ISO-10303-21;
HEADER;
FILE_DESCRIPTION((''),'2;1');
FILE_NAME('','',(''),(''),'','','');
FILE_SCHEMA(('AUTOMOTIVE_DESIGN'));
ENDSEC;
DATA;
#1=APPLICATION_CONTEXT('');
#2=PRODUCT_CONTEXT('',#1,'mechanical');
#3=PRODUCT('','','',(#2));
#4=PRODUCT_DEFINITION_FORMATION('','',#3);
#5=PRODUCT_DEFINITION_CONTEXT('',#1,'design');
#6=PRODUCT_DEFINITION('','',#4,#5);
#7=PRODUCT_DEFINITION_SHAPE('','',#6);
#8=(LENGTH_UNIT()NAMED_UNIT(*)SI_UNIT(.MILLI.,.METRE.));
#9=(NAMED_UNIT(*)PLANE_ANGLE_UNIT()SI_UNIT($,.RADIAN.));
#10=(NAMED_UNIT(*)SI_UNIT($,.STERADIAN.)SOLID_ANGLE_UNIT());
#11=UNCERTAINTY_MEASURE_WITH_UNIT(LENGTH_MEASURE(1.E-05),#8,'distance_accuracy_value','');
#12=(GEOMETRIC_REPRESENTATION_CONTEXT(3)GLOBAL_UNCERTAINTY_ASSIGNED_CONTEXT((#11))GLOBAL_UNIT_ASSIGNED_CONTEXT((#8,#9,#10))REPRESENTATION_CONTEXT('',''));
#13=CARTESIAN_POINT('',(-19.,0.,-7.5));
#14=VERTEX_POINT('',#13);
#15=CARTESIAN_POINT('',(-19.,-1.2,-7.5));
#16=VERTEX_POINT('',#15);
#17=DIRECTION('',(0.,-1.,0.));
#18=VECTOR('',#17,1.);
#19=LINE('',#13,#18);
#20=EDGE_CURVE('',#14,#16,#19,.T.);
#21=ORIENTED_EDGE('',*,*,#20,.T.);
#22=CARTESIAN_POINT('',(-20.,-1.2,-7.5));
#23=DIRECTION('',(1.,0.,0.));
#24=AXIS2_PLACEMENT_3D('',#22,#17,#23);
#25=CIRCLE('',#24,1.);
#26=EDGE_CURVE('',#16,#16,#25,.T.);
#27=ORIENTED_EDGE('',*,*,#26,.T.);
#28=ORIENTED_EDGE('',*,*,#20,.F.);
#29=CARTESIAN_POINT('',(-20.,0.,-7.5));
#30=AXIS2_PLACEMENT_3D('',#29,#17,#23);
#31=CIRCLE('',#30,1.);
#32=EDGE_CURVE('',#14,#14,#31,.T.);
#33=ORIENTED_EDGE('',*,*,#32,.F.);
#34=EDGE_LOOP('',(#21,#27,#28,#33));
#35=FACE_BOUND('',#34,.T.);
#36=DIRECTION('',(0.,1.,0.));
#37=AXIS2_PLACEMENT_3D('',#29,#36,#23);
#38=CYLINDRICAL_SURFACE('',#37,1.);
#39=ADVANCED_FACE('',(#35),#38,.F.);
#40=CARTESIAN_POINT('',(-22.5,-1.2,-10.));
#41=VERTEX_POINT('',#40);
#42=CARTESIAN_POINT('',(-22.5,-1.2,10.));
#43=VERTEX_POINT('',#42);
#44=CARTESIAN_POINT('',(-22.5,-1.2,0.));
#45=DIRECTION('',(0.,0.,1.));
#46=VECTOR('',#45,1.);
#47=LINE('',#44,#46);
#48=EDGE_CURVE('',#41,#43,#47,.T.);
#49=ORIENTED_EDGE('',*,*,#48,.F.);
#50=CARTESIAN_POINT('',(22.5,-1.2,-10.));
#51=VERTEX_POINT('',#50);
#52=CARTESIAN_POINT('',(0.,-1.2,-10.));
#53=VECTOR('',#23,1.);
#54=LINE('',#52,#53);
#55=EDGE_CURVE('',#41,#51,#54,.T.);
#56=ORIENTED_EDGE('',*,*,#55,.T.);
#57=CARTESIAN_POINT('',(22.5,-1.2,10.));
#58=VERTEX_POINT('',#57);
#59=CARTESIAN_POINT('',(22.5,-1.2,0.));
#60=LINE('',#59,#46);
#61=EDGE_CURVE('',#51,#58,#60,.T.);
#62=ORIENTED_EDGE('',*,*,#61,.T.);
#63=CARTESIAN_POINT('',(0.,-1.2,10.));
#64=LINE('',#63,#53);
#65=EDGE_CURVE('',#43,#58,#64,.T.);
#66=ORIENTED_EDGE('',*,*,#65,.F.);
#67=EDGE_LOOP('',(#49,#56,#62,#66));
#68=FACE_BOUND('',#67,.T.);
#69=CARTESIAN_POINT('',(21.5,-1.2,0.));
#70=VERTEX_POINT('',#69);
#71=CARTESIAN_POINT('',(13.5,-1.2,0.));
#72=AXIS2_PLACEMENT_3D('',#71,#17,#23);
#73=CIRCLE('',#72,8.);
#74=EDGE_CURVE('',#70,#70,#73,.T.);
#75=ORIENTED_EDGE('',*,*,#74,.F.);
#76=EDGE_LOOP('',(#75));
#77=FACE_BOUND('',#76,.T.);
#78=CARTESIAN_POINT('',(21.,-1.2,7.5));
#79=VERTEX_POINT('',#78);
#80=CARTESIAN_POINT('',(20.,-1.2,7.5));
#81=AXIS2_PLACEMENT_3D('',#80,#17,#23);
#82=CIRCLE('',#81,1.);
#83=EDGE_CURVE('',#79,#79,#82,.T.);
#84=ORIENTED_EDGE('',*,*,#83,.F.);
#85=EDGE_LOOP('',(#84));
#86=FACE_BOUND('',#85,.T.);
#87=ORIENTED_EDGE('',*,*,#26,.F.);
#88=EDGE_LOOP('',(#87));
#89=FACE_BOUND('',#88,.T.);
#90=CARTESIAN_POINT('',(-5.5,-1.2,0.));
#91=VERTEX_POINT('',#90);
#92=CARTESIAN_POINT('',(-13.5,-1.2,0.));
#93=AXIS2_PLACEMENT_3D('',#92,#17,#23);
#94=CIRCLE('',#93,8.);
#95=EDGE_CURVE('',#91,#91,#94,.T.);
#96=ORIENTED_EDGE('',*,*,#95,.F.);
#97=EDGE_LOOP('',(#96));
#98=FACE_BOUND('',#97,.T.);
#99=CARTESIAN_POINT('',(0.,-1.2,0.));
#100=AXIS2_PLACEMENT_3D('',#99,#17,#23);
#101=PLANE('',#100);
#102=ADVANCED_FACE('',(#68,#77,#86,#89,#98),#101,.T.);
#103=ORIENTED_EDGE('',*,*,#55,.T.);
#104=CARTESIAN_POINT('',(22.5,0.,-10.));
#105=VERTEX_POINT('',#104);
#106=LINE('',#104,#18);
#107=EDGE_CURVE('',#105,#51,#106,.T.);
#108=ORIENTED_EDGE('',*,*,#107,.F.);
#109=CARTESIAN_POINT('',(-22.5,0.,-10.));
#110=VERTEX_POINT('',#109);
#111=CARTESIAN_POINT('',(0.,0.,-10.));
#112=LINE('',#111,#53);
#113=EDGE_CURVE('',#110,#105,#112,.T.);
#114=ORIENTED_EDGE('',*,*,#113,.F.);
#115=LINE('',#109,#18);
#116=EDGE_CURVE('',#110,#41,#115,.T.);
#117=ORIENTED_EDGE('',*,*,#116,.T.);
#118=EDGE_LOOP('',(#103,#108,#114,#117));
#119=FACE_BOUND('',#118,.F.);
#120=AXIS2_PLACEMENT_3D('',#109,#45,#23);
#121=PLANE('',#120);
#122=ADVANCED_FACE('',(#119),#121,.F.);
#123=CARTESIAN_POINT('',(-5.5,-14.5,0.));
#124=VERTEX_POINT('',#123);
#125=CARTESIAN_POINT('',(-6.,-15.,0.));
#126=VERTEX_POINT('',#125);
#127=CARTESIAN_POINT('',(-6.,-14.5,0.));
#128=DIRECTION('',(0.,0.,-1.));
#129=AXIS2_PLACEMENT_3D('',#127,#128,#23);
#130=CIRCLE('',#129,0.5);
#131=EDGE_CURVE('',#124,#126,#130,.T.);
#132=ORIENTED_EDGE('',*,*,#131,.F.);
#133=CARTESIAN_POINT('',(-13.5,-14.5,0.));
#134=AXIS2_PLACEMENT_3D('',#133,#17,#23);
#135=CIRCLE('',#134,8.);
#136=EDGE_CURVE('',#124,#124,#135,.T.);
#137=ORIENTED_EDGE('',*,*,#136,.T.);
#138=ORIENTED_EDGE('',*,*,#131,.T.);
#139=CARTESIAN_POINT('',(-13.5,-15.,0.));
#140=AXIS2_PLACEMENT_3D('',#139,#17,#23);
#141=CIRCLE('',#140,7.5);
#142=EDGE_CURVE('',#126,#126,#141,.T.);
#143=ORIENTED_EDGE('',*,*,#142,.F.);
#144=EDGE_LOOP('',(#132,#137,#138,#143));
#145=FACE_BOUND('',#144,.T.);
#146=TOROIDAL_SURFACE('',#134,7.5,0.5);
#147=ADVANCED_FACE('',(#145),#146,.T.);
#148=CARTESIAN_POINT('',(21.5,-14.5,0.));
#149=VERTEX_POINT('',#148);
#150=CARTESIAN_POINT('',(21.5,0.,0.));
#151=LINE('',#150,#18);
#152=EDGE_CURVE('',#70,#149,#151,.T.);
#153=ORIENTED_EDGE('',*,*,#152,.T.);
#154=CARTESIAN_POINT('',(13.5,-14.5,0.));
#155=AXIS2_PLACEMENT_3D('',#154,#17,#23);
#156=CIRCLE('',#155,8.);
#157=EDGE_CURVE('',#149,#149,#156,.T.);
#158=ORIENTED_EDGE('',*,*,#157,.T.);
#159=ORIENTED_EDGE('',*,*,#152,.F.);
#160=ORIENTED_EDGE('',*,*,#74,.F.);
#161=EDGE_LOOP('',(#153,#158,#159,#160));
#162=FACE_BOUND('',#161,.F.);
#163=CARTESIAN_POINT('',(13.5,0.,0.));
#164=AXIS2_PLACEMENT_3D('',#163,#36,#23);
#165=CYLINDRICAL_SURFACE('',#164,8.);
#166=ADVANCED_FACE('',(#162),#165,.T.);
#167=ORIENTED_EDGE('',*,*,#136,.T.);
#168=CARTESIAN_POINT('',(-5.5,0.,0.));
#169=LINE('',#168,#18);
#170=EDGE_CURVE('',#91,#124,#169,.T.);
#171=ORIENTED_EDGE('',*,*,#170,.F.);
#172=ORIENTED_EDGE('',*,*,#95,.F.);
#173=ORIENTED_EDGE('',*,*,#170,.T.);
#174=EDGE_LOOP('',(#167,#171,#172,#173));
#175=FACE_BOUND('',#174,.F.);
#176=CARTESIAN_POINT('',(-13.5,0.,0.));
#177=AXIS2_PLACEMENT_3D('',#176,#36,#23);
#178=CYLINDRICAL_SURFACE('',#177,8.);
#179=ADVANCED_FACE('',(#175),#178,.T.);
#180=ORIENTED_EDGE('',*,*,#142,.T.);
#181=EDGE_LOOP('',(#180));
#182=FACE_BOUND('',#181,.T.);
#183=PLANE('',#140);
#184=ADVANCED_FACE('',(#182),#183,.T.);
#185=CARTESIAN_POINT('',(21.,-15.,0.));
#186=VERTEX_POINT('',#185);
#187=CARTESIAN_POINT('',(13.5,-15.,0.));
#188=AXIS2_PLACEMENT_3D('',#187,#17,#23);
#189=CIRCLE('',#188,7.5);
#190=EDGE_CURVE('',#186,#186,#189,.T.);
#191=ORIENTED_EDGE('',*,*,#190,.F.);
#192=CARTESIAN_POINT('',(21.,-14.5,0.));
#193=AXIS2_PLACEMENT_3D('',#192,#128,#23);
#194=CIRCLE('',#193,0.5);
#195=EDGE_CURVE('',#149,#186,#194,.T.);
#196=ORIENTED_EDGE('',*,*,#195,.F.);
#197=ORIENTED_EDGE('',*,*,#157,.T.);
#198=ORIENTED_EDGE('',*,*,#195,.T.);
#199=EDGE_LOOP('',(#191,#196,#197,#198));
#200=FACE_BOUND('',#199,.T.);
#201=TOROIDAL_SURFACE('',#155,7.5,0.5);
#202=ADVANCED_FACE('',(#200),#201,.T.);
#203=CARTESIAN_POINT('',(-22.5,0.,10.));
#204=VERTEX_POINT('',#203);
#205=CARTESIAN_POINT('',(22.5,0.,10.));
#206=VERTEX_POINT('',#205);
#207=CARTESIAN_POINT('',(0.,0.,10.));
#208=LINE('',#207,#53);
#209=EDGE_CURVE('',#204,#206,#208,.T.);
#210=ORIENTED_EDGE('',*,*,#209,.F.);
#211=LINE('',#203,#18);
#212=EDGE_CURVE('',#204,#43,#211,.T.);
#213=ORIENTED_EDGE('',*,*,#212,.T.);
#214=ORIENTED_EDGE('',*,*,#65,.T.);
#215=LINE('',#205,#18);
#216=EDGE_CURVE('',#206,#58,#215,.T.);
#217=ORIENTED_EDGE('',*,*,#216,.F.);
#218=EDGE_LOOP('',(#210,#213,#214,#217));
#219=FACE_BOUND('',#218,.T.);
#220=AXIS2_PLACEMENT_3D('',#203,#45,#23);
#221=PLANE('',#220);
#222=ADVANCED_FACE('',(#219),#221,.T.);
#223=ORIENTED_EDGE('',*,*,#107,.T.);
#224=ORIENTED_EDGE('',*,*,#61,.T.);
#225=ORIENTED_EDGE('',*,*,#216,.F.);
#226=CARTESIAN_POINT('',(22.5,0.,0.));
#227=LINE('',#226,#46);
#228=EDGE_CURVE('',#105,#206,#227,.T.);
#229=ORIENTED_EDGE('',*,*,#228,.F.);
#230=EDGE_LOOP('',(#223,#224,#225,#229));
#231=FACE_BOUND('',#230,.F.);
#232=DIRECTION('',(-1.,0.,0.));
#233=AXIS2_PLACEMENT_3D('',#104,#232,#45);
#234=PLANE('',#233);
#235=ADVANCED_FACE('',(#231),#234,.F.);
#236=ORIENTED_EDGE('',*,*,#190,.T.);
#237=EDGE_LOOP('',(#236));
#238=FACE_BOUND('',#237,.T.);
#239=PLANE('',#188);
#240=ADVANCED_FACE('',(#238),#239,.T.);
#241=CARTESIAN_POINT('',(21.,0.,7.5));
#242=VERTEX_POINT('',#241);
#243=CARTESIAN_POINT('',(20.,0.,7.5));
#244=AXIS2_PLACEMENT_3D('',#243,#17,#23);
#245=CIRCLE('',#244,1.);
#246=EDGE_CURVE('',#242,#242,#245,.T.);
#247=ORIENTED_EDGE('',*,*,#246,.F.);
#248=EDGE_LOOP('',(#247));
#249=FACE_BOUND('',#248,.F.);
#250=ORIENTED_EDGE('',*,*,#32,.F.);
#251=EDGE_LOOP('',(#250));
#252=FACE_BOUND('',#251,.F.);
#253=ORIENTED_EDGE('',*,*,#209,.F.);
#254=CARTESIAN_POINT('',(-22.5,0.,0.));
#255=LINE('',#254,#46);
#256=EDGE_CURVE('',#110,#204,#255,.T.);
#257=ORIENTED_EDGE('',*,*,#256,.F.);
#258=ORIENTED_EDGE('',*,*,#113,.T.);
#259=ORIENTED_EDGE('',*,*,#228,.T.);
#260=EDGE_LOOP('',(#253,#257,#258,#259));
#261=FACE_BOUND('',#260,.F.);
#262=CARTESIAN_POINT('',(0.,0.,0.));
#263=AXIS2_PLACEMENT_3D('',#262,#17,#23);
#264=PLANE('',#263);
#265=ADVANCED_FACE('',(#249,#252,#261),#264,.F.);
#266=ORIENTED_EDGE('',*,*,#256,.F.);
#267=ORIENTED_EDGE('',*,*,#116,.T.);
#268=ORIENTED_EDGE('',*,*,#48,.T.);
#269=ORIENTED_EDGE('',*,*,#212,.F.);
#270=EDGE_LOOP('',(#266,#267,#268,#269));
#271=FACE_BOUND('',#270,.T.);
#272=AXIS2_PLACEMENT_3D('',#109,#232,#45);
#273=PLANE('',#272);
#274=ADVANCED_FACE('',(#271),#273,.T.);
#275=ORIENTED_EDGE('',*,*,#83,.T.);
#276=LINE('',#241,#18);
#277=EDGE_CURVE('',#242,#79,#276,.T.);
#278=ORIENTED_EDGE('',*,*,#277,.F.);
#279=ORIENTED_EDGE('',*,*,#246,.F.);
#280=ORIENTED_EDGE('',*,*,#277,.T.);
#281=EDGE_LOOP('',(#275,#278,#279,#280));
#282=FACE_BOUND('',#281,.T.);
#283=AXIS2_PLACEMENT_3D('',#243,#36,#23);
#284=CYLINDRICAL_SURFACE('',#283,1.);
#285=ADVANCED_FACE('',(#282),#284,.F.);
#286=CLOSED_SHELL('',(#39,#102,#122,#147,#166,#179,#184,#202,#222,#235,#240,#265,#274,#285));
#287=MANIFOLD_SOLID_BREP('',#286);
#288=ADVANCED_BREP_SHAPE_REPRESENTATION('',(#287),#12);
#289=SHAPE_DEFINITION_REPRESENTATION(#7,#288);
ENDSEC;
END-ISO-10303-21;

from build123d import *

# Parameters (mm, degrees)
F0_R     = 8
F1_DEPTH = 15
F0_W     = 45
F0_H     = 20
F0_R_2   = 1
F2_DEPTH = 1.2
F3_R     = 0.5


with BuildPart() as f1:
    # F0 (on Front) → F1 (new body)
    with BuildSketch(Plane.XZ):
        with Locations((-13.5, 0)):
            Circle(F0_R)
    extrude(amount=F1_DEPTH)



with BuildPart() as f1b:
    # F0 (on Front) → F1, piece 2 (new body)
    with BuildSketch(Plane.XZ):
        with Locations((13.5, 0)):
            Circle(F0_R)
    extrude(amount=F1_DEPTH)


with BuildPart() as f1_1:
    add(f1.part)

    add(f1b.part)  # F2 merges F1b
    # F0 (on Front) → F2 (join)
    with BuildSketch(Plane.XZ):
        Rectangle(F0_W, F0_H)
        with Locations((-20, -7.5)):
            Circle(F0_R_2, mode=Mode.SUBTRACT)
        with Locations((-13.5, 0)):
            Circle(F0_R, mode=Mode.SUBTRACT)
        with Locations((13.5, 0)):
            Circle(F0_R, mode=Mode.SUBTRACT)
        with Locations((20, 7.5)):
            Circle(F0_R_2, mode=Mode.SUBTRACT)
    extrude(amount=F2_DEPTH)

    # F3
    f3_edges = [f1_1.edges().sort_by_distance(p)[0] for p in [
        (-21.5, -15, 0),
        (5.5, -15, 0),
    ]]
    fillet(f3_edges, radius=F3_R)


solid = f1_1.part
